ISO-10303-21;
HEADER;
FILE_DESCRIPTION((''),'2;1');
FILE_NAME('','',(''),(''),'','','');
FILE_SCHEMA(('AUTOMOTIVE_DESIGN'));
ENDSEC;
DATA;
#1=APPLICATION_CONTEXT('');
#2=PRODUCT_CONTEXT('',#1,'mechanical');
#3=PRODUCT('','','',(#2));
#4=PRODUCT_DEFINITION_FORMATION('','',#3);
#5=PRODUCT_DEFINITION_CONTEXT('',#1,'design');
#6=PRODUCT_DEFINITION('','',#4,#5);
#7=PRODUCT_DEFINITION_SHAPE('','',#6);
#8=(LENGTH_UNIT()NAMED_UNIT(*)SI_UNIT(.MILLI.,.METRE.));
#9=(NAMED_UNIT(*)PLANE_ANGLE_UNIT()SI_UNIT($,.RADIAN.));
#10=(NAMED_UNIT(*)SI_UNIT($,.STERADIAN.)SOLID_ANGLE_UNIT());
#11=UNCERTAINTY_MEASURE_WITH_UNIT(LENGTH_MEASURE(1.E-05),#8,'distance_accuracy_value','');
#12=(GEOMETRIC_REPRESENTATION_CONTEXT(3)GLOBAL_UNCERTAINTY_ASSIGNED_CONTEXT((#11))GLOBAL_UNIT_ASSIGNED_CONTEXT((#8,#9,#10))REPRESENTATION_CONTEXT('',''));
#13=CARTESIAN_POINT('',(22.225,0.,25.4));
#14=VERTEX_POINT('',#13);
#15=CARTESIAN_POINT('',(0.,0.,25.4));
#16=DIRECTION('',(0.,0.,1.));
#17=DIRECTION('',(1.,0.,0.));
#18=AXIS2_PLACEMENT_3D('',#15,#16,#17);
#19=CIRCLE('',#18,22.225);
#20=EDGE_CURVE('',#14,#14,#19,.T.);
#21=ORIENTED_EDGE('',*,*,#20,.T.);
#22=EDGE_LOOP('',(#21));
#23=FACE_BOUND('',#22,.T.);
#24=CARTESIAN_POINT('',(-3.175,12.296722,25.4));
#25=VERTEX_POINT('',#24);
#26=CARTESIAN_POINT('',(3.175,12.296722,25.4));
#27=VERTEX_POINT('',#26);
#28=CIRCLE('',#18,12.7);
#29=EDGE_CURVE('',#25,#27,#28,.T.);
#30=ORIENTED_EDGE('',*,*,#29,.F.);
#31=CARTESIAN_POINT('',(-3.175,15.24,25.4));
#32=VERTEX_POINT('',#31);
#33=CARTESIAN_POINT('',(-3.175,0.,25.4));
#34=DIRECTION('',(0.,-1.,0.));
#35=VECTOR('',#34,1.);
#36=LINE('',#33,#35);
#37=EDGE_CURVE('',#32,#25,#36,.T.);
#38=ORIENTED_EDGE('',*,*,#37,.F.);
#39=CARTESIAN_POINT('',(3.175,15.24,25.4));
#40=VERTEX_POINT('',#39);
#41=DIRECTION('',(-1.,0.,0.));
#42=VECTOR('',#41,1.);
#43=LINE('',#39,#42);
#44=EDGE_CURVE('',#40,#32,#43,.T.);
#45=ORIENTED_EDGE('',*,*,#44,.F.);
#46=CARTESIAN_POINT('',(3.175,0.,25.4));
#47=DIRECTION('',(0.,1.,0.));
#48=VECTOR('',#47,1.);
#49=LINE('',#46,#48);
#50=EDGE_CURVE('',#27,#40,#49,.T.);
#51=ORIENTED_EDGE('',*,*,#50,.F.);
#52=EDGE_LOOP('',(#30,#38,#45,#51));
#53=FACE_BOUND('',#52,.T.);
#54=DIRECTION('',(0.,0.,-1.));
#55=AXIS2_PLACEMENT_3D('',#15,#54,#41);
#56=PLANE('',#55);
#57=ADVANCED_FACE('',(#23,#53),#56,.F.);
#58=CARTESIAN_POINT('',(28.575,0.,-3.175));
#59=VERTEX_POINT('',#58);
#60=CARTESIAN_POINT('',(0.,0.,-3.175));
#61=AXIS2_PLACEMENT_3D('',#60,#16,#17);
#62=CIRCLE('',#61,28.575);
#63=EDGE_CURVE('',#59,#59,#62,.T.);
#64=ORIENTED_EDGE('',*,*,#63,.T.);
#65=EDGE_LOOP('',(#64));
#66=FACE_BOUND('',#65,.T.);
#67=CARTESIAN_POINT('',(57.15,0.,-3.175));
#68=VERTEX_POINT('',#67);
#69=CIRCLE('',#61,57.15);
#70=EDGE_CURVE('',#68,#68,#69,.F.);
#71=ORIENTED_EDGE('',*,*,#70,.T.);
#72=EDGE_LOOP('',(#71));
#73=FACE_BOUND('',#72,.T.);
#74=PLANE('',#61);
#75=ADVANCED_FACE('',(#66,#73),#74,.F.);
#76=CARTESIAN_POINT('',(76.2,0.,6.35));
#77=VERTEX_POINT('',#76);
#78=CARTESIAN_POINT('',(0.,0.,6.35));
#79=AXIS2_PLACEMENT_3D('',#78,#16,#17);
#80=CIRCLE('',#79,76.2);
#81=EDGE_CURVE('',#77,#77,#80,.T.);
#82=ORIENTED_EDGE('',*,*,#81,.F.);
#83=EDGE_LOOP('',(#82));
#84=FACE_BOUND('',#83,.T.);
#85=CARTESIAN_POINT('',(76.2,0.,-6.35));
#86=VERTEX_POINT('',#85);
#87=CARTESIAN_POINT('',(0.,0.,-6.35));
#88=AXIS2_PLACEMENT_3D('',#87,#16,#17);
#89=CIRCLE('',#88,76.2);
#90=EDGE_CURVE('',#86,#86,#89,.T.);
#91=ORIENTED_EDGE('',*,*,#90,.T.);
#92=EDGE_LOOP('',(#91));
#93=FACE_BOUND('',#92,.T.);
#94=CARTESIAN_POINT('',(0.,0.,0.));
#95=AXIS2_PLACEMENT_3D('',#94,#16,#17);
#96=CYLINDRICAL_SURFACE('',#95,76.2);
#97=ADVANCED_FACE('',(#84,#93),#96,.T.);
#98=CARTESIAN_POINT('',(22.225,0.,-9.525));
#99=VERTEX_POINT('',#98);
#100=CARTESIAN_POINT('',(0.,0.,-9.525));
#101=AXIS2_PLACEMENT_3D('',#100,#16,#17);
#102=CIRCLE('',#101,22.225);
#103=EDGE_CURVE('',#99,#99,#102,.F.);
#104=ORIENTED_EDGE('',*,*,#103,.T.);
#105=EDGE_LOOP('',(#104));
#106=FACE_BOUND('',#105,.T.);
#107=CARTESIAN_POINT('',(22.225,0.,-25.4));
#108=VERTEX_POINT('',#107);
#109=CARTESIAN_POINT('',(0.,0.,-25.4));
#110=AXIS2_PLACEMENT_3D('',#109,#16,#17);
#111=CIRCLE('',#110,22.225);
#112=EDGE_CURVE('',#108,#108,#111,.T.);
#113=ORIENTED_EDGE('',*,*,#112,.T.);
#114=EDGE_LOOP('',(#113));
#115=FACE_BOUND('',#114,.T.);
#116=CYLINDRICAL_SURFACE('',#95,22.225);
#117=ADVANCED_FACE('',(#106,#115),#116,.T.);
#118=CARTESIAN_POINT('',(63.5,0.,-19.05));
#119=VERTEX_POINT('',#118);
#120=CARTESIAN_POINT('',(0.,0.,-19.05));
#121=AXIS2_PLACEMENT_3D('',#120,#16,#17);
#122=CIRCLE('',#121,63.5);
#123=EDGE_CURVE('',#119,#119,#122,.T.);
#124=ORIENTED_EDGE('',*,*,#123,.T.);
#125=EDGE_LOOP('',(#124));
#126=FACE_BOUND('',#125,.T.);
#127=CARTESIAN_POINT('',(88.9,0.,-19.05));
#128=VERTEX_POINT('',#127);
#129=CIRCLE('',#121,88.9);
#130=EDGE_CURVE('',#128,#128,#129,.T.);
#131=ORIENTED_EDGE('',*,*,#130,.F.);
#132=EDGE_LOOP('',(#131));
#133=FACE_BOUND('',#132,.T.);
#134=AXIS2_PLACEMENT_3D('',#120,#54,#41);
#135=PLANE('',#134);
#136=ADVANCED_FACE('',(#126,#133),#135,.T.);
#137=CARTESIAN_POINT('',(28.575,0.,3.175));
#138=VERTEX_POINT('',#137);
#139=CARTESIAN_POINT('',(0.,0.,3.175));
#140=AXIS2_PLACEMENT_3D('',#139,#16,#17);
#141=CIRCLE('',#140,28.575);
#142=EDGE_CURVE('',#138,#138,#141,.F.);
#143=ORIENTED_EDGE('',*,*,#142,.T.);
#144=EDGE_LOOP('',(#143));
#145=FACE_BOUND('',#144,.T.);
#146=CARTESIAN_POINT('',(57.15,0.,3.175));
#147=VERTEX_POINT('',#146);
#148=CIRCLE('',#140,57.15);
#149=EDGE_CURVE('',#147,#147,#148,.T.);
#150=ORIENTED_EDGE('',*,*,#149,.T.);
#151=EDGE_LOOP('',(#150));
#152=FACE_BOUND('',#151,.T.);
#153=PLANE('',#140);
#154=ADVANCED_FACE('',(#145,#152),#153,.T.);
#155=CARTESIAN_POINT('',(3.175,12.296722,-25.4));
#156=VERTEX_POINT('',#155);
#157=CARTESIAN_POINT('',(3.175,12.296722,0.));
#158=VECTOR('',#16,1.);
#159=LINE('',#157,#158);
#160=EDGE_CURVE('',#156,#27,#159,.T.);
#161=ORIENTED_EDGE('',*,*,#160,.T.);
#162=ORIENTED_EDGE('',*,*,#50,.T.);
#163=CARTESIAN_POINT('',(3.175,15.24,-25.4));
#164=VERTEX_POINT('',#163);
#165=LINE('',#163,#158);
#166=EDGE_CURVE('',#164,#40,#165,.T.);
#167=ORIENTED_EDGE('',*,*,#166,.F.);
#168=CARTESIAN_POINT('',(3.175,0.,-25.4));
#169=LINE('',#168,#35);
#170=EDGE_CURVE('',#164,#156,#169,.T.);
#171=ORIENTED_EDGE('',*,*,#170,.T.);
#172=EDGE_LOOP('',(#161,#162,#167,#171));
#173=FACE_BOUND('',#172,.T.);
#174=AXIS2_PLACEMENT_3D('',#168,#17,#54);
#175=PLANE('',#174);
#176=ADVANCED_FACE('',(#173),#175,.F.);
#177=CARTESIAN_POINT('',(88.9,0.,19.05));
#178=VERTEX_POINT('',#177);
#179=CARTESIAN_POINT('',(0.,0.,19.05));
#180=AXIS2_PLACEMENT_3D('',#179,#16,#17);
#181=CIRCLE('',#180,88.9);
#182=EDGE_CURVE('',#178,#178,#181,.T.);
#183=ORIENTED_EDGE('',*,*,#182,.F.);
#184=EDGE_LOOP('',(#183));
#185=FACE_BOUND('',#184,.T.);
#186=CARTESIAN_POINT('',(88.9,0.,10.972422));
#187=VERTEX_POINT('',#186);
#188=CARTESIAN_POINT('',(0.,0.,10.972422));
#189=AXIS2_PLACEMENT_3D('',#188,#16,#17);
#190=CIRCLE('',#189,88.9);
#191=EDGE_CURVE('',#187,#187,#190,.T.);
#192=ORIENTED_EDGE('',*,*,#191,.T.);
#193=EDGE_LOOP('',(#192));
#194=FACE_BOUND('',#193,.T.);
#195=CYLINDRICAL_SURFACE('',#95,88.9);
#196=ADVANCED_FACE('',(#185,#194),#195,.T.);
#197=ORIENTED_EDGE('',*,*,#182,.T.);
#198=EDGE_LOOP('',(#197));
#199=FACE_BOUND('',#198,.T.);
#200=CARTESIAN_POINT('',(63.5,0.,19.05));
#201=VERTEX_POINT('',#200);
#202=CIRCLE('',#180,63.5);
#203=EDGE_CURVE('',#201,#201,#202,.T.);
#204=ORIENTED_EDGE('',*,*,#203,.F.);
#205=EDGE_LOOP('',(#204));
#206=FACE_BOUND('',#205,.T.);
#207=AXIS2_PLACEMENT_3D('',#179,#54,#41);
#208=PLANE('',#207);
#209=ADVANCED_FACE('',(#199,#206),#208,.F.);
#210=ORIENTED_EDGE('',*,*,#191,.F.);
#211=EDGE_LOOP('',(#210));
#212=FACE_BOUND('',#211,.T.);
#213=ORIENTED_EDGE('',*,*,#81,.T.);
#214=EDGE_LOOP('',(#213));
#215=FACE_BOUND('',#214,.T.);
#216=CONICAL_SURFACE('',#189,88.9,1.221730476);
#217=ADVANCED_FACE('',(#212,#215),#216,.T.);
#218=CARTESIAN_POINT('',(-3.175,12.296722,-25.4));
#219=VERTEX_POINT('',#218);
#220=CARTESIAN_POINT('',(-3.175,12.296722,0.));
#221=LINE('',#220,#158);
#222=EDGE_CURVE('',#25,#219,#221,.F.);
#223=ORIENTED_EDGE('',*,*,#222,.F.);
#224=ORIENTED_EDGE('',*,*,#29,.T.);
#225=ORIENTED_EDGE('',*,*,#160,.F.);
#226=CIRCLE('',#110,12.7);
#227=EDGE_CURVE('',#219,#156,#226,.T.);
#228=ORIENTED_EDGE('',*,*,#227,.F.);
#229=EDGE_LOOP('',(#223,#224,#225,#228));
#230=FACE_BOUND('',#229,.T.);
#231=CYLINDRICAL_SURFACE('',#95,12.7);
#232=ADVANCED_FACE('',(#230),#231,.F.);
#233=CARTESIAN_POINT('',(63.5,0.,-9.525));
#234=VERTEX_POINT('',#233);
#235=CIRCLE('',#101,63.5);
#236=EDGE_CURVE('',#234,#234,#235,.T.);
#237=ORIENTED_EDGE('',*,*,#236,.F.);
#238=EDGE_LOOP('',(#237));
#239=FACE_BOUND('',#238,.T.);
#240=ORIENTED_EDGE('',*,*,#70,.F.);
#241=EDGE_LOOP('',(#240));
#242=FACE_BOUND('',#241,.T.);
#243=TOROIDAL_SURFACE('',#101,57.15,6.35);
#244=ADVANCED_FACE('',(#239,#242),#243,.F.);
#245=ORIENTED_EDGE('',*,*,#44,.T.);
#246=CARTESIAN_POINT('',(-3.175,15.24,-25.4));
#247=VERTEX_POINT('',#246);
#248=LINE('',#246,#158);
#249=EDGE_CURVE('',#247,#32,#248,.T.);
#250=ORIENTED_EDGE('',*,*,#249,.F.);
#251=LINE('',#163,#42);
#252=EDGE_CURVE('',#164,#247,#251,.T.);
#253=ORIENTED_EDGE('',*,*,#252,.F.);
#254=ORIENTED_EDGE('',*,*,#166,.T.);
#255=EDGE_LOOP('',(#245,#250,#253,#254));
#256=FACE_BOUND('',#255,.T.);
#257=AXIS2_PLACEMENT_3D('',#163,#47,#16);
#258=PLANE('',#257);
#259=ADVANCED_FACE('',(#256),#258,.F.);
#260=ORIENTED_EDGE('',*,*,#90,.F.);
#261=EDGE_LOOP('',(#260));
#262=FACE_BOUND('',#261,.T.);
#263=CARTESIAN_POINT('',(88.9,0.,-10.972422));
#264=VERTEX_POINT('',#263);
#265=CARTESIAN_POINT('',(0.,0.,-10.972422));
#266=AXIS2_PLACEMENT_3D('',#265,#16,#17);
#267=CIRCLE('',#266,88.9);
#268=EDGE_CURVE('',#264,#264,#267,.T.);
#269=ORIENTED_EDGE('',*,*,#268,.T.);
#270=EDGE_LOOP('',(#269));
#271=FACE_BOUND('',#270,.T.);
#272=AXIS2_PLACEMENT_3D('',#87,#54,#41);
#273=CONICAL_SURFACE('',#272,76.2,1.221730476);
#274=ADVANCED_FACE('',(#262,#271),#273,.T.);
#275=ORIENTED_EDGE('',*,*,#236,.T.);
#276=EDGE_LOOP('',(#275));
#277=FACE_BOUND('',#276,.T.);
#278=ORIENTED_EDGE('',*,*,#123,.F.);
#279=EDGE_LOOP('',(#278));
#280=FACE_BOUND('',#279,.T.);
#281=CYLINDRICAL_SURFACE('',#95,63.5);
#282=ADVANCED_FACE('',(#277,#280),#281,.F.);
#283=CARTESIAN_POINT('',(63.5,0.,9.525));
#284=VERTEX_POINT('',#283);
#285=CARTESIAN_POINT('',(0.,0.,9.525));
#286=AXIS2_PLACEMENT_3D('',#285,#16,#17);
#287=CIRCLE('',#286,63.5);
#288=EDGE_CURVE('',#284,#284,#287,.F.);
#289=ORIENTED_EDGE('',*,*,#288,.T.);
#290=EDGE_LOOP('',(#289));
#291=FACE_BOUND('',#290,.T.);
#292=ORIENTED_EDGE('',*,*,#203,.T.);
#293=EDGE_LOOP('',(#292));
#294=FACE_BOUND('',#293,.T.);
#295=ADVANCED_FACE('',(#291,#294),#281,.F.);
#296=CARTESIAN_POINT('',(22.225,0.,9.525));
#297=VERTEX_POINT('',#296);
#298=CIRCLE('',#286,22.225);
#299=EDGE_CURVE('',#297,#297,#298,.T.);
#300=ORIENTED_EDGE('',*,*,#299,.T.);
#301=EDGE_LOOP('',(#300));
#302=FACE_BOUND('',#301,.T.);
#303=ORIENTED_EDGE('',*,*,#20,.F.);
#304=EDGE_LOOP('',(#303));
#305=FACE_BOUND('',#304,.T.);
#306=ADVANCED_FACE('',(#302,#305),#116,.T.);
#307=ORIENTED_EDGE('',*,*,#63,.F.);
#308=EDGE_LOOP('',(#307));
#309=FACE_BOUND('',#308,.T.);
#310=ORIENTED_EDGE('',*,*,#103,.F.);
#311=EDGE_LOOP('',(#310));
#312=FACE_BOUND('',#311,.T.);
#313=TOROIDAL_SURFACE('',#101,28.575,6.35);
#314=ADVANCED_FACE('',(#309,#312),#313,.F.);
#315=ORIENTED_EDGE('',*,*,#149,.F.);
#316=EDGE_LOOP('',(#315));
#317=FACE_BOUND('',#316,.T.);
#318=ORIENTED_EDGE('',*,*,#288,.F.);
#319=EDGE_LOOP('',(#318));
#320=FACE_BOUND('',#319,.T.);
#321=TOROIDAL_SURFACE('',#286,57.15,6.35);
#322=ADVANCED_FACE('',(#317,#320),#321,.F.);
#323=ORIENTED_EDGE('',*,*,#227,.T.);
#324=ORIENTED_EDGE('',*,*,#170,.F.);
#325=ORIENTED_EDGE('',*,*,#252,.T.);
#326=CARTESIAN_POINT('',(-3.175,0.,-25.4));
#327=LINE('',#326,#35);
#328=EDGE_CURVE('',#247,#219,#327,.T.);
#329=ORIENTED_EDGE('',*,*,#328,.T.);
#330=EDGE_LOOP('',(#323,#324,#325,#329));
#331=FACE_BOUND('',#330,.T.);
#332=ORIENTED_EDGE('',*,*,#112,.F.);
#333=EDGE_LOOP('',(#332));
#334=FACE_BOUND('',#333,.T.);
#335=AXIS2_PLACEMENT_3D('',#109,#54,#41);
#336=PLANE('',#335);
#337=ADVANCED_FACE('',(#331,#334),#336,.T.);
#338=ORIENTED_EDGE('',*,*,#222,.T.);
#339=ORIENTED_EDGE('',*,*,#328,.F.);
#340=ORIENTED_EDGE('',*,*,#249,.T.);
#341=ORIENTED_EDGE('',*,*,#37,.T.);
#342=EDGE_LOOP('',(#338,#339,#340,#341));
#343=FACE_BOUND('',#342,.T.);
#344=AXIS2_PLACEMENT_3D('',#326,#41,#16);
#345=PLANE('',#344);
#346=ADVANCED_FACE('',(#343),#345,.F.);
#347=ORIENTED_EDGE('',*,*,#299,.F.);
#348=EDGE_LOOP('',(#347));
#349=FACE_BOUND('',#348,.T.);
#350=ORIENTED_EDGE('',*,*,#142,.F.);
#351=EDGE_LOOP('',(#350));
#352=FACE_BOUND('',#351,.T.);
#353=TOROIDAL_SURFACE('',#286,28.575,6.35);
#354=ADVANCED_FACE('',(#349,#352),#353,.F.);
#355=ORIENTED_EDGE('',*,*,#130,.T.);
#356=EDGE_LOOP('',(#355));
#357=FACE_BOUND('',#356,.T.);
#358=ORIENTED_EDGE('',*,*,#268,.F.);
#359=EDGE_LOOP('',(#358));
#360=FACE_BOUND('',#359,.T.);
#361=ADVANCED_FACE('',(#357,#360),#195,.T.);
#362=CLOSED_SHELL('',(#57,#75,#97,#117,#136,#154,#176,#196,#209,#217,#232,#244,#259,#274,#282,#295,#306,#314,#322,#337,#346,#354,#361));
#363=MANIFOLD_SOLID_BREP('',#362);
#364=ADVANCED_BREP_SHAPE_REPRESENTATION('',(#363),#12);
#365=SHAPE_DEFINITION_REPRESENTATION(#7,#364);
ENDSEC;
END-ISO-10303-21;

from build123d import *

# Parameters (mm, degrees)
SKETCH1_W          = 38.1
SKETCH1_H          = 25.4
SKETCH1_W_2        = 50.8
SKETCH1_H_2        = 9.525
SKETCH1_W_3        = 6.35
SKETCH1_H_3        = 41.275
FILLET1_R          = 6.35
SKETCH4_W          = 6.35
SKETCH4_H          = 15.24
CUT_EXTRUDE1_DEPTH = 51.8


with BuildPart() as part:
    # Sketch1 → Revolve1 (revolve)
    with BuildSketch(Plane(origin=(0, 0, 0), x_dir=(0, 0, -1), z_dir=(1, 0, 0))):
        with Locations((0, 76.2)):
            Rectangle(SKETCH1_W, SKETCH1_H)
        with Locations((0, 17.4625)):
            Rectangle(SKETCH1_W_2, SKETCH1_H_2)
        with Locations((0, 42.8625)):
            Rectangle(SKETCH1_W_3, SKETCH1_H_3)
    revolve(axis=Axis((0, 0, 0), (0, 0, -1)))

    # Sketch3 → Cut-Revolve1 (revolve, cut)
    with BuildSketch(Plane(origin=(0, 0, 0), x_dir=(0, 0, -1), z_dir=(1, 0, 0))):
        Polygon((-10.972421975, 88.9), (10.972421975, 88.9), (6.35, 76.2), (-6.35, 76.2), align=None)
    revolve(axis=Axis((0, 0, 0), (0, 0, -1)), mode=Mode.SUBTRACT)

    # Fillet1
    fillet1_edges = [part.edges().sort_by_distance(p)[0] for p in [
        (0, -63.5, -3.175),
        (0, -22.225, -3.175),
        (0, -22.225, 3.175),
        (0, -63.5, 3.175),
    ]]
    fillet(fillet1_edges, radius=FILLET1_R)

    # Sketch4 → Cut-Extrude1 (cut, through all)
    with BuildSketch(Plane.XY.offset(25.4)):
        with Locations((0, 7.62)):
            Rectangle(SKETCH4_W, SKETCH4_H)
    extrude(amount=-CUT_EXTRUDE1_DEPTH, mode=Mode.SUBTRACT)


solid = part.part
